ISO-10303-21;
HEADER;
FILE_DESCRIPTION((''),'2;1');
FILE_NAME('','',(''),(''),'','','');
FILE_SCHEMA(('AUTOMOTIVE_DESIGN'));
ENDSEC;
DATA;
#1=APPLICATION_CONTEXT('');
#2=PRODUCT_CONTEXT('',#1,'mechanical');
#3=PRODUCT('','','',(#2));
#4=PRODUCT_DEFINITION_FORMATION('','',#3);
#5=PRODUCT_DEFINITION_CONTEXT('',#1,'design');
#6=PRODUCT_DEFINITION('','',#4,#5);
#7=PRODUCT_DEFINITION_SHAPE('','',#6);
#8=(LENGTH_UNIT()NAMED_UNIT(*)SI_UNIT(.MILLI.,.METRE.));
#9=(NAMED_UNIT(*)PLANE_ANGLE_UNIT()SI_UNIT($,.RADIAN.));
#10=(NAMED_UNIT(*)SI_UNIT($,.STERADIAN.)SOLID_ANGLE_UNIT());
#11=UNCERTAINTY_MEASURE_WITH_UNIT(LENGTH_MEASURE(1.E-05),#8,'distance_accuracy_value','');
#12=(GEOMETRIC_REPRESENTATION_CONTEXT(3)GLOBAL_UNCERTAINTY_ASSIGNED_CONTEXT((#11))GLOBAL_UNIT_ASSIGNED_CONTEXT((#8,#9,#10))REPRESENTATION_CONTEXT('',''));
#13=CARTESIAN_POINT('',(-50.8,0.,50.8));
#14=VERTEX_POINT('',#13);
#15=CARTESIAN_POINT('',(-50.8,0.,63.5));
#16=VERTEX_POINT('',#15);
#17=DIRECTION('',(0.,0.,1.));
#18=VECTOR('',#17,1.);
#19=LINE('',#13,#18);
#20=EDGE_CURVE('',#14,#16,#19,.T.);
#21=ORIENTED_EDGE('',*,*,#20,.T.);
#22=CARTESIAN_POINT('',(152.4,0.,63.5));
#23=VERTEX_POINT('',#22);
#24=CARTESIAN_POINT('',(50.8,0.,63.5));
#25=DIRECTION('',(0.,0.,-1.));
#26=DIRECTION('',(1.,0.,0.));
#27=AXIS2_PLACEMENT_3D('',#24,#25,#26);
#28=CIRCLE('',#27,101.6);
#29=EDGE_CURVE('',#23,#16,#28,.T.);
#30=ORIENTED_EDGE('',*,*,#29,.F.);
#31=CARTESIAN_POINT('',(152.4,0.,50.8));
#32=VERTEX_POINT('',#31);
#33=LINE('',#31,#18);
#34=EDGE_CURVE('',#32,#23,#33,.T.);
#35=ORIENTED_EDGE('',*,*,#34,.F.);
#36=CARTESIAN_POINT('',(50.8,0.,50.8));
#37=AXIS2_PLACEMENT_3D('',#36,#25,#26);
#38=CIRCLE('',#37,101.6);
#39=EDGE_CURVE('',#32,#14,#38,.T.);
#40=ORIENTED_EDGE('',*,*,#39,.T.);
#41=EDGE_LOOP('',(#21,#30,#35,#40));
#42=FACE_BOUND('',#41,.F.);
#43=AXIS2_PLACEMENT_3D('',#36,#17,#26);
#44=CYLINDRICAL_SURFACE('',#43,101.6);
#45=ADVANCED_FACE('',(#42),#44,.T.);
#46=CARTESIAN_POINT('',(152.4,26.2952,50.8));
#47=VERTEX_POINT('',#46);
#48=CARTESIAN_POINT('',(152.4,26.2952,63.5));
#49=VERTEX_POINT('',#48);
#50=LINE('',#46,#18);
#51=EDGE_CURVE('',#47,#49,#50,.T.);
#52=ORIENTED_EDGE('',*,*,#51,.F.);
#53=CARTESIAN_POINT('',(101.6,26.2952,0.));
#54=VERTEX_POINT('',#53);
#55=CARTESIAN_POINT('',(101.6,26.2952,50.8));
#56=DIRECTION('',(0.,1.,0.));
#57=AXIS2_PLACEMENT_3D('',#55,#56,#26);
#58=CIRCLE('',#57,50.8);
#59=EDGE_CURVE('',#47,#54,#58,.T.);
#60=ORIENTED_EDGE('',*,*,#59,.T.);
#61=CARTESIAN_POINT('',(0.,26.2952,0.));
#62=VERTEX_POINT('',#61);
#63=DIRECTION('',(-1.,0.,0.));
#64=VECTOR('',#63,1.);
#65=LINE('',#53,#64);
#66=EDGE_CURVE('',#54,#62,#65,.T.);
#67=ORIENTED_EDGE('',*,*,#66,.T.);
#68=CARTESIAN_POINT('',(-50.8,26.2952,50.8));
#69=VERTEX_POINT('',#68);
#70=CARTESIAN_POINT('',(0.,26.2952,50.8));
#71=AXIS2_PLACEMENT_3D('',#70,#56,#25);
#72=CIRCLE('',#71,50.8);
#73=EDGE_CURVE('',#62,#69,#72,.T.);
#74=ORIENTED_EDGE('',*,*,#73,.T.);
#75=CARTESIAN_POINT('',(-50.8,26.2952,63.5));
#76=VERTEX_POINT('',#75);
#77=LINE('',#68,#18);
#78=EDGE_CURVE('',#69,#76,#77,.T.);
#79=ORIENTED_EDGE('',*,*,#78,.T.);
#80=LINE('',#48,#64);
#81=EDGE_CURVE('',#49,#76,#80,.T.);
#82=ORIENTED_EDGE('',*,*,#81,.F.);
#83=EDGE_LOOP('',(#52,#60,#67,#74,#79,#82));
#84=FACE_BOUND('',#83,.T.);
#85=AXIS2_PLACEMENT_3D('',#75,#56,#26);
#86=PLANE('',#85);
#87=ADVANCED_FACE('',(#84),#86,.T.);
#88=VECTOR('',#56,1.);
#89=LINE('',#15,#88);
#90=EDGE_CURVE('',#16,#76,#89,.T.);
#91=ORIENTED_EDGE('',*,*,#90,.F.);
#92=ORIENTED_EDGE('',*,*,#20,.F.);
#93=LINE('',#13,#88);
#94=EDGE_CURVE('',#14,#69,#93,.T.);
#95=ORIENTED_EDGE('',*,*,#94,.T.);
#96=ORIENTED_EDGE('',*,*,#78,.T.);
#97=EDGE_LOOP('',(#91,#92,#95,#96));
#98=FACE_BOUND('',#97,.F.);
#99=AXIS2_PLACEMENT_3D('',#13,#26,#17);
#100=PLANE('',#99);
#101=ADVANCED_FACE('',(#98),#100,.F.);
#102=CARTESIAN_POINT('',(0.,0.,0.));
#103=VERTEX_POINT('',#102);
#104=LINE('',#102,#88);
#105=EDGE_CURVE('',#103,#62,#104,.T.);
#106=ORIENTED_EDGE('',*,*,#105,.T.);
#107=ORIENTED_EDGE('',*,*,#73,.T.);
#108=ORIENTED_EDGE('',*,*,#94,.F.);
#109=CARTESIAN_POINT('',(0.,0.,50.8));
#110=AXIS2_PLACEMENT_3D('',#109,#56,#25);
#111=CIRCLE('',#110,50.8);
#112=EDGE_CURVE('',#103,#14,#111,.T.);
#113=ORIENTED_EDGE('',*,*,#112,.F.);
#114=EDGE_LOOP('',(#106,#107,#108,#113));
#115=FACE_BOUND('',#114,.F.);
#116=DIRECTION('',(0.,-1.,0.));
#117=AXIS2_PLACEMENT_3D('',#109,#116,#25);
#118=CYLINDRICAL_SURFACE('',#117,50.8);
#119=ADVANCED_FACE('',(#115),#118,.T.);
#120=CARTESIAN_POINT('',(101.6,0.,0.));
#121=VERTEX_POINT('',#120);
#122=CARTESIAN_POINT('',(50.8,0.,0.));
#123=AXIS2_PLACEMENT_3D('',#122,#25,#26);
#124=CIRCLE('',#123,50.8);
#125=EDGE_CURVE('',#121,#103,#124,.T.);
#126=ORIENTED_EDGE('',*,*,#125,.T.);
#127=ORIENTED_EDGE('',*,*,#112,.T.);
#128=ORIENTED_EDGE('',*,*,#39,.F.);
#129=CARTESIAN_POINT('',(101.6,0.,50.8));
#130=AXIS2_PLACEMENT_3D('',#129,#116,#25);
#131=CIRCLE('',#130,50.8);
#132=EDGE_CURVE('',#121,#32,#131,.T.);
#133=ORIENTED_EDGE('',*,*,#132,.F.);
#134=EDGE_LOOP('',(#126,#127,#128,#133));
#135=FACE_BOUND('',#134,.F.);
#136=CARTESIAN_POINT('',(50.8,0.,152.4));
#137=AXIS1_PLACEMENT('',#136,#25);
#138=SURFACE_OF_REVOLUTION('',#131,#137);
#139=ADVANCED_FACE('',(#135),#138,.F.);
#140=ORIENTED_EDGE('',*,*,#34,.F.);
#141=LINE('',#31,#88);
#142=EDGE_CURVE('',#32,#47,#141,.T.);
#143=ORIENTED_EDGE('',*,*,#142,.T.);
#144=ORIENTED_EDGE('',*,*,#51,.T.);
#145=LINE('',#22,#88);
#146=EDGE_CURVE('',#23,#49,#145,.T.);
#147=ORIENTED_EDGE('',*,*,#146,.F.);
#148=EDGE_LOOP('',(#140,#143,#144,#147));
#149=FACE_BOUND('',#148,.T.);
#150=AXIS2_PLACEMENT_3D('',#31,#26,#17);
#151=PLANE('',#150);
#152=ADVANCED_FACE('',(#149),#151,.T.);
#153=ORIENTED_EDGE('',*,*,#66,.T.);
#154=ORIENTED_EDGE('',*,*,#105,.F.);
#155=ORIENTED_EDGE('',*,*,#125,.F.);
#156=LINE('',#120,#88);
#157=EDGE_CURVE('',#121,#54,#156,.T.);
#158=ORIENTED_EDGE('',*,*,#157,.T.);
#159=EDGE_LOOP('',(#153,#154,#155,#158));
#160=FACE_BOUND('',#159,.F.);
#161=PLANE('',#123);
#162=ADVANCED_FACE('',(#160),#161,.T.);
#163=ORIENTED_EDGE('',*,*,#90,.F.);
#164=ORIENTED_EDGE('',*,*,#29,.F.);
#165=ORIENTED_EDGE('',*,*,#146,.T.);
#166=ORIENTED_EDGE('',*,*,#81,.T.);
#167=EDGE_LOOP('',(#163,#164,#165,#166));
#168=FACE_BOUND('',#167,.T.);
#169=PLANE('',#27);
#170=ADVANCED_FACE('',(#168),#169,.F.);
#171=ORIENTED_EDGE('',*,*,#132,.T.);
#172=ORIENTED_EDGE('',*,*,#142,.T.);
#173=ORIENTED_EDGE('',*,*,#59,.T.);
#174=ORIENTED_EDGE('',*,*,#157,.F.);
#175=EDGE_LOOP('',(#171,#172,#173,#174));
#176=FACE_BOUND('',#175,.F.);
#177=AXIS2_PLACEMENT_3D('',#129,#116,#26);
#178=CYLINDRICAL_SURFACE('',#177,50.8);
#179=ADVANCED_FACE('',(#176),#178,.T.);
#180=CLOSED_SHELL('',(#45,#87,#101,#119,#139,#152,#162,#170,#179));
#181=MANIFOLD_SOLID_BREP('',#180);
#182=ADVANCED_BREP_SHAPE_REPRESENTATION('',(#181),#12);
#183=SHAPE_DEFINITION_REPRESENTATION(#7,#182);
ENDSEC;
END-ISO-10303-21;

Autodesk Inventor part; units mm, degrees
ref_plane "YZ Plane" through (0, 0, 0) normal (1, 0, 0) x (0, 1, 0)
ref_plane "Work Plane1" through (152.4, 0, 203.2) normal (0, -1, 0) x (1, 0, 0)
ref_plane "Work Plane2" through (-50.8, 26.2952, 0) normal (0, -1, 0) x (1, 0, 0)
ref_plane "Work Plane4" through (152.4, 0, 101.6) normal (0, -1, 0) x (1, 0, 0)
sketch "Sketch3" plane through (152.4, 0, 101.6) normal (0, -1, 0) x (1, 0, 0)
  arc A0 (0, -25.4) -> (-76.2, 50.8) centre (-76.2, -25.4) ccw
  line L0 (-127, 50.8) -> (-76.2, 50.8)
  arc A1 (0, -25.4) -> (-76.2, 50.8) centre (-76.2, -25.4) ccw
  line L1 (0, -50.8) -> (0, -25.4)
  arc A2 (-50.8, -101.6) -> (0, -50.8) centre (-50.8, -50.8) ccw
  line L2 (-152.4, -101.6) -> (-50.8, -101.6)
  line L3 (-101.6, 50.8) -> (-101.6, -101.6)
  line L4 (-165.1, -38.1) -> (-41.6, -38.1) construction
  line L5 (-103.35, -38.1) -> (0, -38.1)
  point P0 (-101.6, -38.1)
revolve "Revolution2" add sketch "Sketch3" angle 180 about axis through (50.8, 0, 152.4) along (0, 0, -1) contours L1 A2 L2 L3 L5
sketch "Sketch4" plane through (-50.8, 0, 63.5) normal (0, 1, 0) x (1, 0, 0)
  line L0 (203.2, 12.7) -> (203.2, 0) projected
  arc A0 (203.2, 12.7) -> (152.4, 63.5) centre (152.4, 12.7) ccw projected
  line L1 (152.4, 63.5) -> (50.8, 63.5) projected
  arc A1 (50.8, 63.5) -> (0, 12.7) centre (50.8, 12.7) ccw projected
  line L2 (0, 12.7) -> (0, 0) projected
  line L3 (203.2, 0) -> (0, 0) projected
  point P0 (50.8, 63.5)
ref_plane "Work Plane5" through (-50.8, 26.2952, 0) normal (0, -1, 0) x (1, 0, 0)
extrude "Extrusion2" add sketch "Sketch4" along normal up to surface (26.2952 mm away)
properties part number "AvionicsBay" material "Avionics"
